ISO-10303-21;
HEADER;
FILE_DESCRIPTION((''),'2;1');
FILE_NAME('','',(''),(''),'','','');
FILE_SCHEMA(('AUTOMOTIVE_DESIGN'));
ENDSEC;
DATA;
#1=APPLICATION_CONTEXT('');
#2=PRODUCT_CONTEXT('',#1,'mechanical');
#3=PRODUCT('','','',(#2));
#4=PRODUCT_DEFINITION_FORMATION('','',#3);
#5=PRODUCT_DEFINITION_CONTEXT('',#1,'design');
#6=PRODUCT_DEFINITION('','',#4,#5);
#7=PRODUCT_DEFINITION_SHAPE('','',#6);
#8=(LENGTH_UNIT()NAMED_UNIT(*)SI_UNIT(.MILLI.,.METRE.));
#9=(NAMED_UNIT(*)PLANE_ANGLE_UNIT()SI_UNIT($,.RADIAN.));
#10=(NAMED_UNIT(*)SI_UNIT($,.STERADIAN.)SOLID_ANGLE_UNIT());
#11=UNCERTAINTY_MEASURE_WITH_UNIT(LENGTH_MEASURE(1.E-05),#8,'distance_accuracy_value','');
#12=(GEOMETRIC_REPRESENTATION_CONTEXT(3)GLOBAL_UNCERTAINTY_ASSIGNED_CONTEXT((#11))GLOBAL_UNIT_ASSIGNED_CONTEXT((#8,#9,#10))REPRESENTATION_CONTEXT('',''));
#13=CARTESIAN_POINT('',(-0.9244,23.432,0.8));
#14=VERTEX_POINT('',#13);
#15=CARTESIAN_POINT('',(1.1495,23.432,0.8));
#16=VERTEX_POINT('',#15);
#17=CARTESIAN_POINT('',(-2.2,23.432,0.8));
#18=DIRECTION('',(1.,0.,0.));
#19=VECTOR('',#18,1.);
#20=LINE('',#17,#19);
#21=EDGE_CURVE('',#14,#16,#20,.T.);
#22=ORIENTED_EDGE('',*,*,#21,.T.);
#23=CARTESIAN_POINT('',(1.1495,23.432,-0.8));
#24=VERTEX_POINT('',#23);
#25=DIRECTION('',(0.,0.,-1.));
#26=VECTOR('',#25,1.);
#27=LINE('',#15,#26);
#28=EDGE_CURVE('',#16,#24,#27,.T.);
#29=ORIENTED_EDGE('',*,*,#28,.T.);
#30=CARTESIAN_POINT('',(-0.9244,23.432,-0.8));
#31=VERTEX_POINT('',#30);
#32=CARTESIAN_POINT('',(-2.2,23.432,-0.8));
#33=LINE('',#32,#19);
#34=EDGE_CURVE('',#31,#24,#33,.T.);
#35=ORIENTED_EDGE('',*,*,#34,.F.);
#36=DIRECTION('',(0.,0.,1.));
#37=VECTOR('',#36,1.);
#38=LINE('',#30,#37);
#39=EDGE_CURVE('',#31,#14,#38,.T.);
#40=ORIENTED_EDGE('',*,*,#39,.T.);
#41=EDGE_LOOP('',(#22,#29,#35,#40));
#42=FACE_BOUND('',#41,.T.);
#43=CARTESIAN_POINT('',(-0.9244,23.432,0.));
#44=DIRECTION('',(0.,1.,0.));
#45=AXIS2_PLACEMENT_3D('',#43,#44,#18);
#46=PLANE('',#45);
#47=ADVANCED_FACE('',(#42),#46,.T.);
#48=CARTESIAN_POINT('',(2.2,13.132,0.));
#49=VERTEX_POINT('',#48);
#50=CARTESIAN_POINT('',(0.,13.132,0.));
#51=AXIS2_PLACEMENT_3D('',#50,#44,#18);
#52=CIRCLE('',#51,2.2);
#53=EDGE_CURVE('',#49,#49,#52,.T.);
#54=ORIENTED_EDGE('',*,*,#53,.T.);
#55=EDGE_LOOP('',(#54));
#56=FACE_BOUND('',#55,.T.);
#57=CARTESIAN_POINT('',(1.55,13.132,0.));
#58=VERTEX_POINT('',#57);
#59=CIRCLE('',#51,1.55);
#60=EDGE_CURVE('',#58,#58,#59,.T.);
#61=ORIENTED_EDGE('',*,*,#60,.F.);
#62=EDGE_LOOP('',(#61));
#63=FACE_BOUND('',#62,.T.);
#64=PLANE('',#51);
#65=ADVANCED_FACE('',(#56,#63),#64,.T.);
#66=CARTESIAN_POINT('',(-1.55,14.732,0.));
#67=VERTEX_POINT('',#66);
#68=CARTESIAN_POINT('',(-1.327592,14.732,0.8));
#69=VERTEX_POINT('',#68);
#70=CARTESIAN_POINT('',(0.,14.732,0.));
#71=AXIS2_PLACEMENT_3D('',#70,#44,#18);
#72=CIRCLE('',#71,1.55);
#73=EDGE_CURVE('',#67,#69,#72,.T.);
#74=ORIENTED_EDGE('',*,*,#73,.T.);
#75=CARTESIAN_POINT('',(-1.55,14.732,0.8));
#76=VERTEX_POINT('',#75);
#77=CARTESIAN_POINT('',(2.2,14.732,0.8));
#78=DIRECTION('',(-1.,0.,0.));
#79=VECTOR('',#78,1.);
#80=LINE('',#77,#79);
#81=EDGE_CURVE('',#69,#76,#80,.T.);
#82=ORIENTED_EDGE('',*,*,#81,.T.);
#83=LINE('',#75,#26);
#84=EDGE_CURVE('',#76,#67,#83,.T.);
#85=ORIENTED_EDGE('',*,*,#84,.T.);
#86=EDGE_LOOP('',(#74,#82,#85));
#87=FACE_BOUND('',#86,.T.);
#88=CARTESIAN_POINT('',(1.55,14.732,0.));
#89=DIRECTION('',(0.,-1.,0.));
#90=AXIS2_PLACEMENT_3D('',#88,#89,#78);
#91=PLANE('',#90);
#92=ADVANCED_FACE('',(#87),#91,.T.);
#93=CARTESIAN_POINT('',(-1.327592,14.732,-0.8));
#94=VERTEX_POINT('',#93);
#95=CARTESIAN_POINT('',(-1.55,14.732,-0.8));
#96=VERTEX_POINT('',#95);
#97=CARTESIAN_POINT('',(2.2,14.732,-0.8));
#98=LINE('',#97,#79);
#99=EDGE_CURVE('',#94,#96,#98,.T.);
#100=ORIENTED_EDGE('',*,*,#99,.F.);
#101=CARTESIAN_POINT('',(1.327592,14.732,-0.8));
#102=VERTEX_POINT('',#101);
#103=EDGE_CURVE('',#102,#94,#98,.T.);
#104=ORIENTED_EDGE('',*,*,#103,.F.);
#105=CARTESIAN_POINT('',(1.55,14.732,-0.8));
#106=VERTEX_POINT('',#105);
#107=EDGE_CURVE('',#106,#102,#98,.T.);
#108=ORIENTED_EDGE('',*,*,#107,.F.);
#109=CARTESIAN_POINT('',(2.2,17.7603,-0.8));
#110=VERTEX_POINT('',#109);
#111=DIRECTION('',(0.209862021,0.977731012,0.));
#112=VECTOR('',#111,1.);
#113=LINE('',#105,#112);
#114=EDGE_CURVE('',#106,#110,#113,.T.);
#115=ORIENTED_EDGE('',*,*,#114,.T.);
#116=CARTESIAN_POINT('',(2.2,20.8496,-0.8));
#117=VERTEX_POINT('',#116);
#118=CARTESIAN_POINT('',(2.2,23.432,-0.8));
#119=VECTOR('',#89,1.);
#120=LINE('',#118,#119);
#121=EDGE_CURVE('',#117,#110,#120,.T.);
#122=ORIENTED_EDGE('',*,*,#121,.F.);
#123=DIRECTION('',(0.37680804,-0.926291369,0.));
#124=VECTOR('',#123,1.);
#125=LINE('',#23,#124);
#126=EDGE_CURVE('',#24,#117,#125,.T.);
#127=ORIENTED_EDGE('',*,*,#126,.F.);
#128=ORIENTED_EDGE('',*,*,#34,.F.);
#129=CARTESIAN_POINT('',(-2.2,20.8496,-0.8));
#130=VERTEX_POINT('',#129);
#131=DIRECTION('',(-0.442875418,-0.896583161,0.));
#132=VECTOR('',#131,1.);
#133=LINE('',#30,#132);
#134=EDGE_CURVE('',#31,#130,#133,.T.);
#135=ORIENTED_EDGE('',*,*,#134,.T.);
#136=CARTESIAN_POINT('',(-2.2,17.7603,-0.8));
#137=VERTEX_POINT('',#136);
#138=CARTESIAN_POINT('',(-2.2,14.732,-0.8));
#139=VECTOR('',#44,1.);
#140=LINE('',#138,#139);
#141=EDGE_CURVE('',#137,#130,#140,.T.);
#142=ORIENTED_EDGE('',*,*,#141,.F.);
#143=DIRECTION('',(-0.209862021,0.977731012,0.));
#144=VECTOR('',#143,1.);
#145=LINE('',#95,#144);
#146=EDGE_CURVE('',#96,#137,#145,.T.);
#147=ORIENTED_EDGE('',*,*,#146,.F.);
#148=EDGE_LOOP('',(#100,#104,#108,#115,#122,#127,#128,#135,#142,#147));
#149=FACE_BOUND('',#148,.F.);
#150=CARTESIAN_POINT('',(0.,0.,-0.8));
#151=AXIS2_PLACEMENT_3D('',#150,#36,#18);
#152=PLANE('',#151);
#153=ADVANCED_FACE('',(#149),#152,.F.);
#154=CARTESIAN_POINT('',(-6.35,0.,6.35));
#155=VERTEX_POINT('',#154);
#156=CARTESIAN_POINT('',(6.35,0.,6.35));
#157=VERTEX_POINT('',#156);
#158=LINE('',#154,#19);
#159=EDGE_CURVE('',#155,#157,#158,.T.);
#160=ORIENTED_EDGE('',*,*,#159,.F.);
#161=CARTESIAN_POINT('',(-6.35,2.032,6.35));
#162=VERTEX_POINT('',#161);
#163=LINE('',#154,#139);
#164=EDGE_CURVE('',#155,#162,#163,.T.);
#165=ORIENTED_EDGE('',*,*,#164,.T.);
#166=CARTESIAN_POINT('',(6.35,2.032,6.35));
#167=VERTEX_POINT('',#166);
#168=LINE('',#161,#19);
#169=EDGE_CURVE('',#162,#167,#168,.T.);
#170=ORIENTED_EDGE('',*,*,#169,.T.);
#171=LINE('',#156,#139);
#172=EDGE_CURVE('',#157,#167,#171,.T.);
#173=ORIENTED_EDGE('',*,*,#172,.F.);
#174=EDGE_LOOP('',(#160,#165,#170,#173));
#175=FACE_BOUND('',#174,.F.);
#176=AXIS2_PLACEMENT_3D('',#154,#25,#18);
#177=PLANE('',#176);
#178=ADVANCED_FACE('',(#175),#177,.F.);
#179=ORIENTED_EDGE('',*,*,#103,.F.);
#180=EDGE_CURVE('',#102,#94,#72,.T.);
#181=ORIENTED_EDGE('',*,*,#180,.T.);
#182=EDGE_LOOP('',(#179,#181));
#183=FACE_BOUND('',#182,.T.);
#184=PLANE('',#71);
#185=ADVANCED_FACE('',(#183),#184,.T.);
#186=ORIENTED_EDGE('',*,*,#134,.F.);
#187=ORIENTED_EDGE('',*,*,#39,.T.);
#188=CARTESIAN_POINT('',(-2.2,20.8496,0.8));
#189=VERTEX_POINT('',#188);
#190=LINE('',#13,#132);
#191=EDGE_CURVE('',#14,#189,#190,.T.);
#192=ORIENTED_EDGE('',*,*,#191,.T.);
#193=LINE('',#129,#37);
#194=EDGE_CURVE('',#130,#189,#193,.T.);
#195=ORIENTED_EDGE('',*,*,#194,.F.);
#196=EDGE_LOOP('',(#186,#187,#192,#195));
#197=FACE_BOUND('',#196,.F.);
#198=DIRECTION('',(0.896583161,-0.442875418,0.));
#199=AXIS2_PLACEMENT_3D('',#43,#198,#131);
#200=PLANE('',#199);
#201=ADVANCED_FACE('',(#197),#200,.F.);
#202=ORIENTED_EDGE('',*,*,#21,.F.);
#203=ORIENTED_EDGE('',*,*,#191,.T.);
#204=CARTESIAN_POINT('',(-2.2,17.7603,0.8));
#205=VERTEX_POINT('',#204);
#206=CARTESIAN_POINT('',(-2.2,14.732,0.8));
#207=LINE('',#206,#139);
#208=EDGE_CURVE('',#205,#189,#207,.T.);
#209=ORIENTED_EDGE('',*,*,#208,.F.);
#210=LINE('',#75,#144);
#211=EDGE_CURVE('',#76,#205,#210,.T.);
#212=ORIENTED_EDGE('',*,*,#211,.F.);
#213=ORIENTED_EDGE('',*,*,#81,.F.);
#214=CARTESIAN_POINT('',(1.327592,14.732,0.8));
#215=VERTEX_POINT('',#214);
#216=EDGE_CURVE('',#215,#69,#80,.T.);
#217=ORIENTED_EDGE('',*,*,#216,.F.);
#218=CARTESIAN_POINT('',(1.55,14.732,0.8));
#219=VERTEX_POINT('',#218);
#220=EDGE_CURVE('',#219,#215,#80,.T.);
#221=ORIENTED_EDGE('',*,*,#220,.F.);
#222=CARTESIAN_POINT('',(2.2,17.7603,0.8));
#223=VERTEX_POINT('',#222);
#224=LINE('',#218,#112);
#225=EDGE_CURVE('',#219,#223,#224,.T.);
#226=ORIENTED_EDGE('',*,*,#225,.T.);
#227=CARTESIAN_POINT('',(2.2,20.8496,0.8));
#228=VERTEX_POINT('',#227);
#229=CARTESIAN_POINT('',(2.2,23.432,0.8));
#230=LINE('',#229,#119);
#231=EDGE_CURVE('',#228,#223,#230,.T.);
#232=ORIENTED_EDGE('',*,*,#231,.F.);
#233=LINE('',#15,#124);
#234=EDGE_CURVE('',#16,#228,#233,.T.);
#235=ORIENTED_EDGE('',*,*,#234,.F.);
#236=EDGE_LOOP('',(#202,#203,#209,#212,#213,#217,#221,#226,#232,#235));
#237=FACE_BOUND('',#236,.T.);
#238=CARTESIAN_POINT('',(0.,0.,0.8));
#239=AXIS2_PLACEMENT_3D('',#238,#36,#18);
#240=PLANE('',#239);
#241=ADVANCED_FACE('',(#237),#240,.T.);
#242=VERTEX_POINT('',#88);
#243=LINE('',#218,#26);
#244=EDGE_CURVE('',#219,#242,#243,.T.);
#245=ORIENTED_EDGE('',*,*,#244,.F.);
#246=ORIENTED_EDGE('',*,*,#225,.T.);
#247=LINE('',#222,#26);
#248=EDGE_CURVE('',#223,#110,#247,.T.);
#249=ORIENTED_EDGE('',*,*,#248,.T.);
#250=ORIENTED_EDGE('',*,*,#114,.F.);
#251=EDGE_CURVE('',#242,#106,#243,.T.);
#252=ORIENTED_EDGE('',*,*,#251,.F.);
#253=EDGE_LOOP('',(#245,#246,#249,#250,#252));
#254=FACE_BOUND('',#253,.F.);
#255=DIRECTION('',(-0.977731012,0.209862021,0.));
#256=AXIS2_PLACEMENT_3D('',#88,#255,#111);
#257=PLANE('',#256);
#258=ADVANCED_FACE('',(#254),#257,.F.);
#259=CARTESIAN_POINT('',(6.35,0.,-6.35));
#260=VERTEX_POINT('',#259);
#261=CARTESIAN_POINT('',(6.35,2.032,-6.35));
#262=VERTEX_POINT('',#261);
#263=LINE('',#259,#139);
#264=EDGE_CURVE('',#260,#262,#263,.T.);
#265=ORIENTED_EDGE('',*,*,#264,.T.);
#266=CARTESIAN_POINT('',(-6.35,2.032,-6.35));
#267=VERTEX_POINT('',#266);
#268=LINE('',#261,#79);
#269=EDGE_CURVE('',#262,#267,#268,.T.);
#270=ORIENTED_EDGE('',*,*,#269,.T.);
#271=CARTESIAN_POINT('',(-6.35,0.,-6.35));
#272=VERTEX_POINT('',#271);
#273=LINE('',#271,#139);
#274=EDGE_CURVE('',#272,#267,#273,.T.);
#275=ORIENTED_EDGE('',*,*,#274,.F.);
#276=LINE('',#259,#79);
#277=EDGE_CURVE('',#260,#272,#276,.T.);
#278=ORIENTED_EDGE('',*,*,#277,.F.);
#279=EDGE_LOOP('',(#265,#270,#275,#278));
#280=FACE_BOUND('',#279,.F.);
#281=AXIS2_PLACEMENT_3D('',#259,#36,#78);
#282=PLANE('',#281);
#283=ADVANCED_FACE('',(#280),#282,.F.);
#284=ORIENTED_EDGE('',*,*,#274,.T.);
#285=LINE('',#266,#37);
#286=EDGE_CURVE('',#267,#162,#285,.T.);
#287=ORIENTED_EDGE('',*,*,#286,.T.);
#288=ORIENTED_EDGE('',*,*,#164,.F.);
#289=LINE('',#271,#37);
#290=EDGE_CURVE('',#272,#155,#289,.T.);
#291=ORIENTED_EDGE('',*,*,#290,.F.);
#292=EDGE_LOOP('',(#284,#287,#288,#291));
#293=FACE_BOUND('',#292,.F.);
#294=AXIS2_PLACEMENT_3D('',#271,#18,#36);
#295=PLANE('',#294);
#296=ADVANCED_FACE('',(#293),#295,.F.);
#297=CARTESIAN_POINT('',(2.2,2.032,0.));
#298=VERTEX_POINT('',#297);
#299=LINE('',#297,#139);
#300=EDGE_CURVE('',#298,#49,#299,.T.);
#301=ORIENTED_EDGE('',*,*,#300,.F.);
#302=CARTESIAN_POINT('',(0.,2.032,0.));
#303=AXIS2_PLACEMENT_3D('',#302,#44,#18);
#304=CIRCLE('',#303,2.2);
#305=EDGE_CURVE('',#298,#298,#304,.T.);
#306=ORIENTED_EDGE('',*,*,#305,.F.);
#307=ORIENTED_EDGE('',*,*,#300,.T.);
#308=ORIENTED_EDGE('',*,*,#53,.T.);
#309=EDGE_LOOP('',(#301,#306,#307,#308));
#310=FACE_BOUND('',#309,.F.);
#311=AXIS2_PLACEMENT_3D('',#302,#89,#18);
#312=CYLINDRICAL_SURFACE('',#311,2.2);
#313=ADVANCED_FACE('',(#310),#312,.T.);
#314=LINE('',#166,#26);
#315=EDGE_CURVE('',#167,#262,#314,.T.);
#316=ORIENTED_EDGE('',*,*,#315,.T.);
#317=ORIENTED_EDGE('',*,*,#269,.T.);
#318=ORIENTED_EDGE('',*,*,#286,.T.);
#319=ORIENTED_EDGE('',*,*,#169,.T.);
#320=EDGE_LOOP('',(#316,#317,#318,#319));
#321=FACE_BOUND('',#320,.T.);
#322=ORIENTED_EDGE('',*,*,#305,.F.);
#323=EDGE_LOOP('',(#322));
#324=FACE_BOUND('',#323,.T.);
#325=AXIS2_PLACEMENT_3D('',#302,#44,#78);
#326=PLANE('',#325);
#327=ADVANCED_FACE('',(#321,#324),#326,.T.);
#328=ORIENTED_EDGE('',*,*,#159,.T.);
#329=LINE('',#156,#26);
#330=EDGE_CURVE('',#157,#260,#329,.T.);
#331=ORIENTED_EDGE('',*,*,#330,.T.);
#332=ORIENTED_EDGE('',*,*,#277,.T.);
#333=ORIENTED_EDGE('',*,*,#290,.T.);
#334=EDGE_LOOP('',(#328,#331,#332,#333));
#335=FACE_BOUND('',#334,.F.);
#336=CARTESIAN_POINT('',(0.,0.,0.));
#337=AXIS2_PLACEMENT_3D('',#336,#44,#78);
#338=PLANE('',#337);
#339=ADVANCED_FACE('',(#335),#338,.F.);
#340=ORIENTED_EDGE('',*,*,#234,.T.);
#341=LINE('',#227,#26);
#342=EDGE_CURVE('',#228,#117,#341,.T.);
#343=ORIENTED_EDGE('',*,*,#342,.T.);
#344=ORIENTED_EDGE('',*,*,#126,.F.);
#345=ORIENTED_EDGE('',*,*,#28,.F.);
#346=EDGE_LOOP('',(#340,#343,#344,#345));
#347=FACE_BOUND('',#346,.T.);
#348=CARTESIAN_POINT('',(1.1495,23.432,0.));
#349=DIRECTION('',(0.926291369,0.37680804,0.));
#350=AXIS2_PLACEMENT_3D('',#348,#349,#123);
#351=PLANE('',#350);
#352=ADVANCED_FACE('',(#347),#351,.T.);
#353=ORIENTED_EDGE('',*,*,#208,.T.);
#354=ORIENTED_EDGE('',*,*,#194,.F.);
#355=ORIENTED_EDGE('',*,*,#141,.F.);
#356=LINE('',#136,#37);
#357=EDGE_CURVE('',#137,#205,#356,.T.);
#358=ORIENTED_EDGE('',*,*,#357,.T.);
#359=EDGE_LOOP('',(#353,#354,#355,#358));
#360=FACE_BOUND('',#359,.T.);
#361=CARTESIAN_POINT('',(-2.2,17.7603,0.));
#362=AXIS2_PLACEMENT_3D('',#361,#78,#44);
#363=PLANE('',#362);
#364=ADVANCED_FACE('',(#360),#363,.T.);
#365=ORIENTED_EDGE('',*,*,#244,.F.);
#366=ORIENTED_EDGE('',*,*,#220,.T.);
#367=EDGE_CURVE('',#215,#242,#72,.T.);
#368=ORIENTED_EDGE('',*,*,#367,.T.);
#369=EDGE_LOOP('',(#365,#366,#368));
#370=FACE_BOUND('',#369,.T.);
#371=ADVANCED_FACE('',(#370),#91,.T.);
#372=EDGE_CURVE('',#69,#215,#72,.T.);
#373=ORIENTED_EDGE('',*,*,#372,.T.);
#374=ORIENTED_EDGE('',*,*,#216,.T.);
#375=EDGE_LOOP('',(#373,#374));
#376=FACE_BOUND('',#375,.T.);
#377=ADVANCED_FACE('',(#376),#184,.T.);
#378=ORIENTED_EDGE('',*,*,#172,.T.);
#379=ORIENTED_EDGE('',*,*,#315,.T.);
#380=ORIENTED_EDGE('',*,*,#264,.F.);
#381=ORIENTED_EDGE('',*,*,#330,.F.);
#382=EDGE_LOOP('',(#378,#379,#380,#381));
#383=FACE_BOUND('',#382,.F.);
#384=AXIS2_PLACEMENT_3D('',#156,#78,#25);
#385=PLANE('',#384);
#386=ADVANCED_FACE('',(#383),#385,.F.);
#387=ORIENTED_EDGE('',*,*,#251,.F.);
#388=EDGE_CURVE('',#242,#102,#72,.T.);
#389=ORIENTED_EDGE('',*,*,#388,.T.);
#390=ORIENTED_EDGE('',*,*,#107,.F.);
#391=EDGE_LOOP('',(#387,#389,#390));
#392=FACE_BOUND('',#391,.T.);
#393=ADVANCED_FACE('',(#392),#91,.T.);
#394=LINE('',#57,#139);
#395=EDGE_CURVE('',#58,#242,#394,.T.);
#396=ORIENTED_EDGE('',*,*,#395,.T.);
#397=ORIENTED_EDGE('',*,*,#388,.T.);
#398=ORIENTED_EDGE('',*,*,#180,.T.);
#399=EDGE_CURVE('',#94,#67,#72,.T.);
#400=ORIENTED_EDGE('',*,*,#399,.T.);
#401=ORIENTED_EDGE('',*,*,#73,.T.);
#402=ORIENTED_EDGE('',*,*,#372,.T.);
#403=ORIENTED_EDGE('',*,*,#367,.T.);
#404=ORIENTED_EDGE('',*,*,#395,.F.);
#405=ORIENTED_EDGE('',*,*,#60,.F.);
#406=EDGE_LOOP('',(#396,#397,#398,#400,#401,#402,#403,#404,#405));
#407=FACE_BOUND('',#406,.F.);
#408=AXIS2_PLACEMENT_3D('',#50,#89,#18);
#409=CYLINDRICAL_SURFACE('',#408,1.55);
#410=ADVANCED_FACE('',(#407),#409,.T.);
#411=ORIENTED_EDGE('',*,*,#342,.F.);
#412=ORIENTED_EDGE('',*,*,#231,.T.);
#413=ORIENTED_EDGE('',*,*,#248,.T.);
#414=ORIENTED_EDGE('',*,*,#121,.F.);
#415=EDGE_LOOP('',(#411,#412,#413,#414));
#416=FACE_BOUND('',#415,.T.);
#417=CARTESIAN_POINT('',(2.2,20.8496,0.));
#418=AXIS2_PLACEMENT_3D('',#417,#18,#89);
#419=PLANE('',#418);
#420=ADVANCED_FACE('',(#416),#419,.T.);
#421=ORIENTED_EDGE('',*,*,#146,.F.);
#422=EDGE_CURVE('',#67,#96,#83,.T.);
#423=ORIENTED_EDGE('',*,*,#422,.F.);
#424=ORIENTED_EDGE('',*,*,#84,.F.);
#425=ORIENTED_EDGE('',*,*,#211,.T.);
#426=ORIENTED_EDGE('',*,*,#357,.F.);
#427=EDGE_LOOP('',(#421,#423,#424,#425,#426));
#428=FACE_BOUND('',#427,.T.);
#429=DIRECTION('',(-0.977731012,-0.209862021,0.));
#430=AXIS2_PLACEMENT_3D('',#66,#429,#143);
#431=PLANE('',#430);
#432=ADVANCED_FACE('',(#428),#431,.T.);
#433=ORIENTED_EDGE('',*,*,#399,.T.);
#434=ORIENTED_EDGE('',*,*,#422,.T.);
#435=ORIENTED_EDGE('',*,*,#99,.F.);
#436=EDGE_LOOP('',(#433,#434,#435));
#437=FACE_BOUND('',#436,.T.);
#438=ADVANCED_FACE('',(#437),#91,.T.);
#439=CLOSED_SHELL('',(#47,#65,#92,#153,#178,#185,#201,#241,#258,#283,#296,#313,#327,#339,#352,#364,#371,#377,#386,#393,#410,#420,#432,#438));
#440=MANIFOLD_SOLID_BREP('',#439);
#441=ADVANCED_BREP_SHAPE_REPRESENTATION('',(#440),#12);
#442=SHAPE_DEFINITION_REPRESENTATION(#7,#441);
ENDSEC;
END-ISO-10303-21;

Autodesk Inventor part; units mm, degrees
ref_plane "YZ Plane" through (0, 0, 0) normal (1, 0, 0) x (0, 1, 0)
ref_plane "XZ Plane" through (0, 0, 0) normal (0, 1, 0) x (-1, 0, 0)
ref_plane "XY Plane" through (0, 0, 0) normal (0, 0, 1) x (1, 0, 0)
sketch "Sketch1" plane through (0, 0, 0) normal (0, 1, 0) x (-1, 0, 0)
  line L0 (6.35, 6.35) -> (-6.35, 6.35)
  line L1 (-6.35, 6.35) -> (-6.35, -6.35)
  line L2 (-6.35, -6.35) -> (6.35, -6.35)
  line L3 (6.35, -6.35) -> (6.35, 6.35)
  point P0 (0, 0)
  dimension "d0" = 12.7
  dimension "d1" = 12.7
  dimension "d2" = 6.35
  dimension "d3" = 6.35
extrude "Extrusion1" add sketch "Sketch1" along normal blind 2.032
sketch "Sketch2" plane through (0, 2.032, 0) normal (0, 1, 0) x (1, 0, 0)
  circle A0 centre (0, 0) radius 2.2
  dimension "d6" = 4.4
extrude "Extrusion2" add sketch "Sketch2" along normal blind 11.1
sketch "Sketch3" plane through (0, 13.132, 0) normal (0, 1, 0) x (1, 0, 0)
  circle A0 centre (0, 0) radius 1.55
  dimension "d9" = 3.1
extrude "Extrusion3" add sketch "Sketch3" along normal blind 1.6
sketch "Sketch4" plane through (0, 0, 0) normal (0, 0, 1) x (1, 0, 0)
  line L0 (-2.2, 23.432) -> (2.2, 23.432)
  line L1 (2.2, 23.432) -> (2.2, 14.732)
  line L2 (2.2, 14.732) -> (-2.2, 14.732)
  line L3 (-2.2, 14.732) -> (-2.2, 23.432)
  line L4 (-6.35, 0) -> (6.35, 0) projected
  line L5 (0, 0) -> (0, -2.1556)
  line L6 (1.55, 14.732) -> (2.2, 17.7603)
  line L7 (1.55, 14.732) -> (-1.55, 14.732) projected
  line L8 (-1.55, 14.732) -> (-2.2, 17.7603)
  line L9 (-0.9244, 23.432) -> (-2.2, 20.8496)
  line L10 (1.1495, 23.432) -> (2.2, 20.8496)
  dimension "d12" = 14.732
  dimension "d13" = 8.7
  dimension "d14" = 4.4
  dimension "d15" = 2.2
extrude "Extrusion4" add sketch "Sketch4" along normal mid plane 1.6 contours L0 L10 L1 L6 L2 L8 L3 L9
properties part number "11mm_Board_Support"
